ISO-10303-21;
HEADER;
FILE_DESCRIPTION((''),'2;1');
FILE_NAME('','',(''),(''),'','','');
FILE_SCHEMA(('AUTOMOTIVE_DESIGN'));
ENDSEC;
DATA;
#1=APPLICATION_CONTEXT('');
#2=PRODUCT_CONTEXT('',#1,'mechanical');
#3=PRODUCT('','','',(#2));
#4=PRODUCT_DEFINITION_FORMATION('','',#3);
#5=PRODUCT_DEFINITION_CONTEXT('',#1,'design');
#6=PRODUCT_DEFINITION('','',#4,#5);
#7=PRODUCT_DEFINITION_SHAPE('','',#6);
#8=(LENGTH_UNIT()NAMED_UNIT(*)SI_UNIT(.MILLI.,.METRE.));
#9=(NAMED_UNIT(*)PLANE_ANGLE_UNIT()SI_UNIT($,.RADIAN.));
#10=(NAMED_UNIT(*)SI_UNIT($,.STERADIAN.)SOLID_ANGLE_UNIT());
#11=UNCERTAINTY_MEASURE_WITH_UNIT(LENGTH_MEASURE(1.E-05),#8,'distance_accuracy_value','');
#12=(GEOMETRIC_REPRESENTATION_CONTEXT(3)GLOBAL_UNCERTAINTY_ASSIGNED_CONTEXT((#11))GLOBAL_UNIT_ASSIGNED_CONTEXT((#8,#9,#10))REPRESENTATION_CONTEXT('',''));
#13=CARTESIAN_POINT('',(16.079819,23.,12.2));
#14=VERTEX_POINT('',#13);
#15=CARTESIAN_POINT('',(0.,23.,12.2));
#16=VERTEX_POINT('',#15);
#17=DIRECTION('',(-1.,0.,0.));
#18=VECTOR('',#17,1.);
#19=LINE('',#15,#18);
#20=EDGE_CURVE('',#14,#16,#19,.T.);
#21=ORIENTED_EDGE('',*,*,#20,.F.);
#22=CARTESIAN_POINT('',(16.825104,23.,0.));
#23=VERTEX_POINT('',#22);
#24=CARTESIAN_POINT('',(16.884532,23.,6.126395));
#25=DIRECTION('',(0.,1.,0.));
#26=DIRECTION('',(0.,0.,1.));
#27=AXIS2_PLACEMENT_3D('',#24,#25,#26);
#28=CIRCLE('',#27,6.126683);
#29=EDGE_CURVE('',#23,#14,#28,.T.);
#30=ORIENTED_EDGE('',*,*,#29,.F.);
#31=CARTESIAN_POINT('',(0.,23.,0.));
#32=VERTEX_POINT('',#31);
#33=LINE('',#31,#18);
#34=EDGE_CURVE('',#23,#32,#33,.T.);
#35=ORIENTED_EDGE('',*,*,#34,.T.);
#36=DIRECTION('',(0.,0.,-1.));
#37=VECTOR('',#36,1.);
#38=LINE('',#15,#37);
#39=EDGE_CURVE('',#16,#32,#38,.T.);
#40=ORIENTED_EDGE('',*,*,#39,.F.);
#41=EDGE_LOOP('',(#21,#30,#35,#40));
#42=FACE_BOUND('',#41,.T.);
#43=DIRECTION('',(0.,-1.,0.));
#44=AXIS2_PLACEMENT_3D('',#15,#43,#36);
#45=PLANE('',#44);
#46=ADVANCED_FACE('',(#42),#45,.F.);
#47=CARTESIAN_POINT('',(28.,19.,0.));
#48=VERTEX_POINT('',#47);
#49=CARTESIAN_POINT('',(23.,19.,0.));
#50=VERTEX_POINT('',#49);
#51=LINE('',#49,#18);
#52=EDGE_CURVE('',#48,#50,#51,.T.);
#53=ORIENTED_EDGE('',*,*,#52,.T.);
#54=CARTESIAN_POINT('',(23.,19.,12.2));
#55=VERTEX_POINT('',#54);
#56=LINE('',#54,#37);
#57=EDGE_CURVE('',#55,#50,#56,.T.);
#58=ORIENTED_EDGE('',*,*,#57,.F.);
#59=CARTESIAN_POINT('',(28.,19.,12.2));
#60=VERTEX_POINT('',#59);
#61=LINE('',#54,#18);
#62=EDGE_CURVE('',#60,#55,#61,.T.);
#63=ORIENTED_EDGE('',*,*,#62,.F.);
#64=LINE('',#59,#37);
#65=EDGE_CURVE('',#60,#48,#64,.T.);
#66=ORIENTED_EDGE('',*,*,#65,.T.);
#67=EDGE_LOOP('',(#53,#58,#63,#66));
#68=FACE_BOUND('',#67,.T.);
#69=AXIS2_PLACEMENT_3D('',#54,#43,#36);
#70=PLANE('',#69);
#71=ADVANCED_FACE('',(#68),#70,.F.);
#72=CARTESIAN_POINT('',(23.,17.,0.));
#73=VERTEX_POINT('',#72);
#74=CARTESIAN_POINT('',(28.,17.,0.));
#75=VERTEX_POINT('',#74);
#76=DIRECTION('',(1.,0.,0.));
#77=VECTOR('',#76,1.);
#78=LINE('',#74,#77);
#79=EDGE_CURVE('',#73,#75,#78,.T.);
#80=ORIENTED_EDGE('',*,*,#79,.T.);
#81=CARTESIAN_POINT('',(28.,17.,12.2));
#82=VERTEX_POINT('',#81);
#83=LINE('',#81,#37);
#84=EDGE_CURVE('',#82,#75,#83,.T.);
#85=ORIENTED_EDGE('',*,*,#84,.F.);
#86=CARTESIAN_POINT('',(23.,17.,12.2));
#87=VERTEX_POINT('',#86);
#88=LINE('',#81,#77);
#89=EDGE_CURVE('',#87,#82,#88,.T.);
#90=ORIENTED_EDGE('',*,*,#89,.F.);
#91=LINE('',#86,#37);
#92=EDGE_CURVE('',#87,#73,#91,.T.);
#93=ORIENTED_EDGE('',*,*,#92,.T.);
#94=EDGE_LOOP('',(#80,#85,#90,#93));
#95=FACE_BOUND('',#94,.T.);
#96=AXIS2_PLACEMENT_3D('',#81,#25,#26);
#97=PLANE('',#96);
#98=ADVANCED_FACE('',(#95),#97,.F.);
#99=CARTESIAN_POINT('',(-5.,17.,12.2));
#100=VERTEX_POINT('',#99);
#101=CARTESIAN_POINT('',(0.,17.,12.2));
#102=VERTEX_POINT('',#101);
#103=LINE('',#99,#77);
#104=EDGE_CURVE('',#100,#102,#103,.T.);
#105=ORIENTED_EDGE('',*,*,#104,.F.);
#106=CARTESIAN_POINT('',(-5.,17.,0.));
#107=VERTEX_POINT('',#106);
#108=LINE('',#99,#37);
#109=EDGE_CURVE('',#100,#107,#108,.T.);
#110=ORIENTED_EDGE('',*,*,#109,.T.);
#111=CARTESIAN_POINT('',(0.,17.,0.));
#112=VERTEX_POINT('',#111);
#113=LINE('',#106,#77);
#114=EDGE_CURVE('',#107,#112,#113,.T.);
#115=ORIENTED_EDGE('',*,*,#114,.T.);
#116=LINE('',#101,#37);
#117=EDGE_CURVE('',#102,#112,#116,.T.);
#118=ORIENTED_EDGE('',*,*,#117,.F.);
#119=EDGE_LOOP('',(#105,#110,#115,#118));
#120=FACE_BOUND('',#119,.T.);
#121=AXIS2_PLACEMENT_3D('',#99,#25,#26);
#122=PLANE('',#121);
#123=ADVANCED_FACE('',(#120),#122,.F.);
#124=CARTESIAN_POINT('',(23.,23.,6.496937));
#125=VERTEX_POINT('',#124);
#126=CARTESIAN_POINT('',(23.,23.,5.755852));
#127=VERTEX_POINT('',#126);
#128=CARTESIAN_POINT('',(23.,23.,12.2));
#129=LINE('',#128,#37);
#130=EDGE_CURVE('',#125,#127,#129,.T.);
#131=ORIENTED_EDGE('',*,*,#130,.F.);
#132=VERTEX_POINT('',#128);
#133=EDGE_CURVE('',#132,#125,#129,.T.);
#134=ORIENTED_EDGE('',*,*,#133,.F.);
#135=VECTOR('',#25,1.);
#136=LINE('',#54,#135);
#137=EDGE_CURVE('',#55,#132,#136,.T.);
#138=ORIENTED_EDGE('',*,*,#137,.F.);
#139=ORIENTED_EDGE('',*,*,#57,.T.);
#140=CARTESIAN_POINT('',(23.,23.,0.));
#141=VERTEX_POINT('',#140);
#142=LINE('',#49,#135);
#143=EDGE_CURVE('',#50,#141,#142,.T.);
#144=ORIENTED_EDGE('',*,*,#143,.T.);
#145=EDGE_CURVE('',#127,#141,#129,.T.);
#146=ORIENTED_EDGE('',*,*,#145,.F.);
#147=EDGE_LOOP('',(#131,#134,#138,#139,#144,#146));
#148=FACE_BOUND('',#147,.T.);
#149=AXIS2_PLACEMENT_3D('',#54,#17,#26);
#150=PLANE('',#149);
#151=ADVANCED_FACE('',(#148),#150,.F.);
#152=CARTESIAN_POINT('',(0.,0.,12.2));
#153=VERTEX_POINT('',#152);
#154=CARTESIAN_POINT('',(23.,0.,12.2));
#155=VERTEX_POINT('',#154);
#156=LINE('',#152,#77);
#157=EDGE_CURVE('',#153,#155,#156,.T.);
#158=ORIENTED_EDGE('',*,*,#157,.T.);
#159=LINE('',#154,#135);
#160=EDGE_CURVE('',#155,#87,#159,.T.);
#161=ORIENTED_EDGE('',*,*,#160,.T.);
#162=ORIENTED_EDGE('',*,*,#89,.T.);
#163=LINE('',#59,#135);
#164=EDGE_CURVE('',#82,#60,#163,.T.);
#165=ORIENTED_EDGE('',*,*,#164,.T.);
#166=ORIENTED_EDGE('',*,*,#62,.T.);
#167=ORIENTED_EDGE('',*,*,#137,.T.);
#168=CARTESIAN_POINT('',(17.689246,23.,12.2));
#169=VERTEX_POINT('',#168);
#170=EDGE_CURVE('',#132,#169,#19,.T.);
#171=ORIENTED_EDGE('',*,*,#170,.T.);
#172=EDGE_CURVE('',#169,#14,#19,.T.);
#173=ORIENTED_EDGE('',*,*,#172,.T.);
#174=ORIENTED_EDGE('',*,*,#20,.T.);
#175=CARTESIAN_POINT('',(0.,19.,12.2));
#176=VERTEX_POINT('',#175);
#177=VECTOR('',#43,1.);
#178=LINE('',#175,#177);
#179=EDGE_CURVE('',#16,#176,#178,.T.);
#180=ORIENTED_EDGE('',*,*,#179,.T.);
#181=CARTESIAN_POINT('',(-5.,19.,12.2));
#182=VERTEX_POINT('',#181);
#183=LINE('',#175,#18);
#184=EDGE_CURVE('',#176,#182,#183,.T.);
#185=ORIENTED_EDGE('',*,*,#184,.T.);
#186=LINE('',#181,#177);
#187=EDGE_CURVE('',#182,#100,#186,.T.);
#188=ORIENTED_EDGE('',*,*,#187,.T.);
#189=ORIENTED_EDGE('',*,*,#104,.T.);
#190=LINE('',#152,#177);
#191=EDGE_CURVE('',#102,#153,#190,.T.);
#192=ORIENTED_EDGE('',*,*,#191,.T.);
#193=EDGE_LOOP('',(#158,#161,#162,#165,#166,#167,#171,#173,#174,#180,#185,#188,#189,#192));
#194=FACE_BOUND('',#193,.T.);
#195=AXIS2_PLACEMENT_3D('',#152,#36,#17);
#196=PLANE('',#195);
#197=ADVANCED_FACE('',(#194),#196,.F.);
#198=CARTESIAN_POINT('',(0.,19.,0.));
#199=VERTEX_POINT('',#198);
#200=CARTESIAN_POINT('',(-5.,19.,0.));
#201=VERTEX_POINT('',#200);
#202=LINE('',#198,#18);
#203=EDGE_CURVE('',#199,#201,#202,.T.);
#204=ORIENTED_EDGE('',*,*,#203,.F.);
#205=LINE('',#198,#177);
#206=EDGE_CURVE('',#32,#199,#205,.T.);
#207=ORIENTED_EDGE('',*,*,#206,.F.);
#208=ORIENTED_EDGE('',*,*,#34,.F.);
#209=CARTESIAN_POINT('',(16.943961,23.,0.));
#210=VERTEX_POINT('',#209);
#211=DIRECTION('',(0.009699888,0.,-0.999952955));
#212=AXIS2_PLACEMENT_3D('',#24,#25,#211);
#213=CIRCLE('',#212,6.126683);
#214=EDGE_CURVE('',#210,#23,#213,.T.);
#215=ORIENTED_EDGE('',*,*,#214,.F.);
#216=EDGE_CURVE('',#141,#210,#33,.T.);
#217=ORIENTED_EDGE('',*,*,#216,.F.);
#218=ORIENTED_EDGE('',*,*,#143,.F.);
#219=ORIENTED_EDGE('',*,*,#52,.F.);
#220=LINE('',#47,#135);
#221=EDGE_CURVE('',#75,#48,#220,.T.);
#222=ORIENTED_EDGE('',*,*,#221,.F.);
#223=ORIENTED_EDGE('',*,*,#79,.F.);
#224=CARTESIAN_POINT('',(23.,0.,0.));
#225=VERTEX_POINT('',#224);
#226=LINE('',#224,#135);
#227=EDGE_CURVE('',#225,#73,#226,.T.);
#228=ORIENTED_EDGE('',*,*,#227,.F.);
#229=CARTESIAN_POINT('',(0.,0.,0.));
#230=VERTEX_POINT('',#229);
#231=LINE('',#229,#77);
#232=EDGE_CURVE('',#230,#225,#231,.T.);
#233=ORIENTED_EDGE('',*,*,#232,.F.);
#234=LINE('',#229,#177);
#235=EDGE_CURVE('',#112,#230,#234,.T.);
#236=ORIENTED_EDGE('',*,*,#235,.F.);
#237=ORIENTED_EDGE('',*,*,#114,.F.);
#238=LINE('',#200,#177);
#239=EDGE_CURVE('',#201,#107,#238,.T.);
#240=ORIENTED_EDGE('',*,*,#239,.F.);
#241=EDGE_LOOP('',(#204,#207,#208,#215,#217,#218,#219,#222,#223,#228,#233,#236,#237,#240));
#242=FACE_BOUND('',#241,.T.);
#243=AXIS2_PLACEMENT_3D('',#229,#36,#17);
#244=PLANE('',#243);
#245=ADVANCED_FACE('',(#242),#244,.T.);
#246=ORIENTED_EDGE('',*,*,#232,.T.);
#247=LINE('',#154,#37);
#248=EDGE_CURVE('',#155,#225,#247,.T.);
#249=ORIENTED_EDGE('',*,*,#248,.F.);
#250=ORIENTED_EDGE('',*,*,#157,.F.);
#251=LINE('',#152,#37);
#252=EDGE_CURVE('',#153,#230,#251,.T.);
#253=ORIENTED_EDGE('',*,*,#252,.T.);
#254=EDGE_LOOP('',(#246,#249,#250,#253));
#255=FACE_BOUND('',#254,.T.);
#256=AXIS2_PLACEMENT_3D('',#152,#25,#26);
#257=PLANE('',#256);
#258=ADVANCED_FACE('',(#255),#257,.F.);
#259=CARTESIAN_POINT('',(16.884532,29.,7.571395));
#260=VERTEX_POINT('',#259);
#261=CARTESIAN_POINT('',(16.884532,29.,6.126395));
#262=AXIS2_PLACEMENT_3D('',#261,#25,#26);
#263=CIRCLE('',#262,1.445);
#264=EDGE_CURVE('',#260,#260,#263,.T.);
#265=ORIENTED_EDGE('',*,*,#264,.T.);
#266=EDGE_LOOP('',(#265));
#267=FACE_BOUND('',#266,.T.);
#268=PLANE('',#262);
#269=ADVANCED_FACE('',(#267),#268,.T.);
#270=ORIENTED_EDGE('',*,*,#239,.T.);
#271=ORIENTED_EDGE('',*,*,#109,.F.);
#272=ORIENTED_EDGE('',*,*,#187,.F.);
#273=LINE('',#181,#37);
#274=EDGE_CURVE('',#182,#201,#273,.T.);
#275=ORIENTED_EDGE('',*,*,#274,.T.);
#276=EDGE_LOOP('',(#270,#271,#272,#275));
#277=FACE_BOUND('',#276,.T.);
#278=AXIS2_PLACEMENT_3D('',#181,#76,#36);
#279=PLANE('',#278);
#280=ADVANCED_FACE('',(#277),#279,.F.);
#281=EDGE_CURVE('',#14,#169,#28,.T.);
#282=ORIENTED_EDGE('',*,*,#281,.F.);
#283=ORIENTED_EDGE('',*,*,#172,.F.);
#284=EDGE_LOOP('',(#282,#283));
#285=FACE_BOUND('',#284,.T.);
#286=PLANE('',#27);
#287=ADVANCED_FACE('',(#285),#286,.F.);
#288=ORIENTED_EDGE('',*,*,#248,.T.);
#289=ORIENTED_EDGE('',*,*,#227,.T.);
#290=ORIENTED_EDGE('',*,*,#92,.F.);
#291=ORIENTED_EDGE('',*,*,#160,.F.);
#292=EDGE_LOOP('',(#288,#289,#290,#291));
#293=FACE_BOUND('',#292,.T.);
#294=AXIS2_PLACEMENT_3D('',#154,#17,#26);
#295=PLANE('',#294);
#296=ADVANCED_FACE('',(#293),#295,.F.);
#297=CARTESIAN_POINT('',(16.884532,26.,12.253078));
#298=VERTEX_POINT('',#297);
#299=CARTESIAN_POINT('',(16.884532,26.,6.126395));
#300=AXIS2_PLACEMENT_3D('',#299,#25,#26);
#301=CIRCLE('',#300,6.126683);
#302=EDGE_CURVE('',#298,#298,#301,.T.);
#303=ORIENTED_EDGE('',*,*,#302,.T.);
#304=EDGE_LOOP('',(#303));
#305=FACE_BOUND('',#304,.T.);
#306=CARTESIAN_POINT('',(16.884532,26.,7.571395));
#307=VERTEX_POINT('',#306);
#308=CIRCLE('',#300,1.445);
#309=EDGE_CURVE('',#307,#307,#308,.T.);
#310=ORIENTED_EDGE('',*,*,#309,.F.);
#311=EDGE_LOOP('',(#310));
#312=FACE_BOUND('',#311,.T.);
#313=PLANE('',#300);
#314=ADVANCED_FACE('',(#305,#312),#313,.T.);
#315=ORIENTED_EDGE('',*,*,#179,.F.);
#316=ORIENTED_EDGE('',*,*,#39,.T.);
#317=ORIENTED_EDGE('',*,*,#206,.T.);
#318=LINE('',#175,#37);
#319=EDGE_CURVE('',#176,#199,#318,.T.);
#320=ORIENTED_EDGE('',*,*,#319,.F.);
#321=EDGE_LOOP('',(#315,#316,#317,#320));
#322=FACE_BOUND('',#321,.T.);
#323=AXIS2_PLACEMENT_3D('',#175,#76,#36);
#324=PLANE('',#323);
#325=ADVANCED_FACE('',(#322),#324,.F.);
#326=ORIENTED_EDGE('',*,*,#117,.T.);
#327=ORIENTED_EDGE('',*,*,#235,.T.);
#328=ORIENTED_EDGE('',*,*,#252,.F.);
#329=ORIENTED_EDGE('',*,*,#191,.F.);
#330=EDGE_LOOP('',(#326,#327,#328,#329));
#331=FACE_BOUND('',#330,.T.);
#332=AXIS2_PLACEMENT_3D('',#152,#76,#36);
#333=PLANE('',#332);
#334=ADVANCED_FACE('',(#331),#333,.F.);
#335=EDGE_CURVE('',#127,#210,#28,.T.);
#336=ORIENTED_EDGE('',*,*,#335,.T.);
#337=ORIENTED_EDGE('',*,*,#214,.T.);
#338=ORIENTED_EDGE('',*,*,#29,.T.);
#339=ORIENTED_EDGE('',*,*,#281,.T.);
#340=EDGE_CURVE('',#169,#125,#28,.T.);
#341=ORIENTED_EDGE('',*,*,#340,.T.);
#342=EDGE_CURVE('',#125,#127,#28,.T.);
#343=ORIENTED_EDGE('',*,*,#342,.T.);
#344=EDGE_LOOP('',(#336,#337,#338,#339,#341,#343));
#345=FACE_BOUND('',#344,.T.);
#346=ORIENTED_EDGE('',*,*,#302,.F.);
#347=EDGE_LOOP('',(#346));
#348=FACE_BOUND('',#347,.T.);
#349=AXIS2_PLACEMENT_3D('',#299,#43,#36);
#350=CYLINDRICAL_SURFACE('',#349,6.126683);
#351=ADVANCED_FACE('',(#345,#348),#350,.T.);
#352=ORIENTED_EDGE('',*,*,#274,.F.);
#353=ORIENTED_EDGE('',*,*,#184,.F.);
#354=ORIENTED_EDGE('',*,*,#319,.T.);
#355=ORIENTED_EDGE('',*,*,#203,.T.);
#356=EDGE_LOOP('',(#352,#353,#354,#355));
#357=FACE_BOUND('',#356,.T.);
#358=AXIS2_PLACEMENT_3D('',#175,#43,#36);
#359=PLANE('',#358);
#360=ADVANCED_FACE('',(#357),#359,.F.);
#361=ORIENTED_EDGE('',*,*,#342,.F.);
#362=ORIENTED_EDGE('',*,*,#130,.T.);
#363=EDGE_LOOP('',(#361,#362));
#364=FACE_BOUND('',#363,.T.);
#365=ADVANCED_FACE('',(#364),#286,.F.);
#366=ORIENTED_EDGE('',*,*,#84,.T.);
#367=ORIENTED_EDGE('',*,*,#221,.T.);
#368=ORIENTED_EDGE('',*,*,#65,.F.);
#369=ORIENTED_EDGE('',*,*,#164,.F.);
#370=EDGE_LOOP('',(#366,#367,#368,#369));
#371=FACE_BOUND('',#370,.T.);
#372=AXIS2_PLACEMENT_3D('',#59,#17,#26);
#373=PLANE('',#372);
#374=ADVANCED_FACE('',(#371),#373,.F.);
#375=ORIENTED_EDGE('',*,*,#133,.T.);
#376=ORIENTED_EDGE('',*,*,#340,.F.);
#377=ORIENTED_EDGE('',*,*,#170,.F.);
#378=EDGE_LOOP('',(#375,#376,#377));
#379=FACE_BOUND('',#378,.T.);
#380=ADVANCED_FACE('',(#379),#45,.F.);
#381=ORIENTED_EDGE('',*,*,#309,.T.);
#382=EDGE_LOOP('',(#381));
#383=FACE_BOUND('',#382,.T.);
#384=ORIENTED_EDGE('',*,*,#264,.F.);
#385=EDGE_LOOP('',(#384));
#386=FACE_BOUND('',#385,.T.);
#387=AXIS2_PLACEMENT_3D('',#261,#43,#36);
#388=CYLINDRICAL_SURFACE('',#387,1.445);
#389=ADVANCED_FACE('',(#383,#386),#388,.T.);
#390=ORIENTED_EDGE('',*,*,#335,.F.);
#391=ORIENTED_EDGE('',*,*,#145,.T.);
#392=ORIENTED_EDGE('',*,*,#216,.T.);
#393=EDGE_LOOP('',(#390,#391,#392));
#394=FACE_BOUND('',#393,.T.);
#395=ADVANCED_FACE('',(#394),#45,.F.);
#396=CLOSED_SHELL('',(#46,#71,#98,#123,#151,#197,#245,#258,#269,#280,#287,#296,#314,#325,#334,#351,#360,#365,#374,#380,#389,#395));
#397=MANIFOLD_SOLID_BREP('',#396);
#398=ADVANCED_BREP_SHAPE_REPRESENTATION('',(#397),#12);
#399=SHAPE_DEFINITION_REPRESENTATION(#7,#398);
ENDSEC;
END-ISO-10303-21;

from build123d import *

# Parameters (mm, degrees)
BOSS_EXTRUDE1_DEPTH = 12.2
SKETCH2_R           = 6.126682997
BOSS_EXTRUDE2_DEPTH = 3
SKETCH3_R           = 1.445
BOSS_EXTRUDE3_DEPTH = 3


with BuildPart() as part:
    # Sketch1 → Boss-Extrude1 (new body)
    with BuildSketch(Plane.XY):
        Polygon((0, 0), (23, 0), (23, 17), (28, 17), (28, 19), (23, 19), (23, 23), (0, 23), (0, 19), (-5, 19), (-5, 17), (0, 17), align=None)
    extrude(amount=BOSS_EXTRUDE1_DEPTH)

    # Sketch2 → Boss-Extrude2 (add)
    with BuildSketch(Plane(origin=(0, 23, 0), x_dir=(1, 0, 0), z_dir=(0, 1, 0))):
        with Locations((16.884532498, -6.126394767)):
            Circle(SKETCH2_R)
    extrude(amount=BOSS_EXTRUDE2_DEPTH)

    # Sketch3 → Boss-Extrude3 (add)
    with BuildSketch(Plane(origin=(0, 26, 0), x_dir=(1, 0, 0), z_dir=(0, 1, 0))):
        with Locations((16.884532498, -6.126394767)):
            Circle(SKETCH3_R)
    extrude(amount=BOSS_EXTRUDE3_DEPTH)


solid = part.part
